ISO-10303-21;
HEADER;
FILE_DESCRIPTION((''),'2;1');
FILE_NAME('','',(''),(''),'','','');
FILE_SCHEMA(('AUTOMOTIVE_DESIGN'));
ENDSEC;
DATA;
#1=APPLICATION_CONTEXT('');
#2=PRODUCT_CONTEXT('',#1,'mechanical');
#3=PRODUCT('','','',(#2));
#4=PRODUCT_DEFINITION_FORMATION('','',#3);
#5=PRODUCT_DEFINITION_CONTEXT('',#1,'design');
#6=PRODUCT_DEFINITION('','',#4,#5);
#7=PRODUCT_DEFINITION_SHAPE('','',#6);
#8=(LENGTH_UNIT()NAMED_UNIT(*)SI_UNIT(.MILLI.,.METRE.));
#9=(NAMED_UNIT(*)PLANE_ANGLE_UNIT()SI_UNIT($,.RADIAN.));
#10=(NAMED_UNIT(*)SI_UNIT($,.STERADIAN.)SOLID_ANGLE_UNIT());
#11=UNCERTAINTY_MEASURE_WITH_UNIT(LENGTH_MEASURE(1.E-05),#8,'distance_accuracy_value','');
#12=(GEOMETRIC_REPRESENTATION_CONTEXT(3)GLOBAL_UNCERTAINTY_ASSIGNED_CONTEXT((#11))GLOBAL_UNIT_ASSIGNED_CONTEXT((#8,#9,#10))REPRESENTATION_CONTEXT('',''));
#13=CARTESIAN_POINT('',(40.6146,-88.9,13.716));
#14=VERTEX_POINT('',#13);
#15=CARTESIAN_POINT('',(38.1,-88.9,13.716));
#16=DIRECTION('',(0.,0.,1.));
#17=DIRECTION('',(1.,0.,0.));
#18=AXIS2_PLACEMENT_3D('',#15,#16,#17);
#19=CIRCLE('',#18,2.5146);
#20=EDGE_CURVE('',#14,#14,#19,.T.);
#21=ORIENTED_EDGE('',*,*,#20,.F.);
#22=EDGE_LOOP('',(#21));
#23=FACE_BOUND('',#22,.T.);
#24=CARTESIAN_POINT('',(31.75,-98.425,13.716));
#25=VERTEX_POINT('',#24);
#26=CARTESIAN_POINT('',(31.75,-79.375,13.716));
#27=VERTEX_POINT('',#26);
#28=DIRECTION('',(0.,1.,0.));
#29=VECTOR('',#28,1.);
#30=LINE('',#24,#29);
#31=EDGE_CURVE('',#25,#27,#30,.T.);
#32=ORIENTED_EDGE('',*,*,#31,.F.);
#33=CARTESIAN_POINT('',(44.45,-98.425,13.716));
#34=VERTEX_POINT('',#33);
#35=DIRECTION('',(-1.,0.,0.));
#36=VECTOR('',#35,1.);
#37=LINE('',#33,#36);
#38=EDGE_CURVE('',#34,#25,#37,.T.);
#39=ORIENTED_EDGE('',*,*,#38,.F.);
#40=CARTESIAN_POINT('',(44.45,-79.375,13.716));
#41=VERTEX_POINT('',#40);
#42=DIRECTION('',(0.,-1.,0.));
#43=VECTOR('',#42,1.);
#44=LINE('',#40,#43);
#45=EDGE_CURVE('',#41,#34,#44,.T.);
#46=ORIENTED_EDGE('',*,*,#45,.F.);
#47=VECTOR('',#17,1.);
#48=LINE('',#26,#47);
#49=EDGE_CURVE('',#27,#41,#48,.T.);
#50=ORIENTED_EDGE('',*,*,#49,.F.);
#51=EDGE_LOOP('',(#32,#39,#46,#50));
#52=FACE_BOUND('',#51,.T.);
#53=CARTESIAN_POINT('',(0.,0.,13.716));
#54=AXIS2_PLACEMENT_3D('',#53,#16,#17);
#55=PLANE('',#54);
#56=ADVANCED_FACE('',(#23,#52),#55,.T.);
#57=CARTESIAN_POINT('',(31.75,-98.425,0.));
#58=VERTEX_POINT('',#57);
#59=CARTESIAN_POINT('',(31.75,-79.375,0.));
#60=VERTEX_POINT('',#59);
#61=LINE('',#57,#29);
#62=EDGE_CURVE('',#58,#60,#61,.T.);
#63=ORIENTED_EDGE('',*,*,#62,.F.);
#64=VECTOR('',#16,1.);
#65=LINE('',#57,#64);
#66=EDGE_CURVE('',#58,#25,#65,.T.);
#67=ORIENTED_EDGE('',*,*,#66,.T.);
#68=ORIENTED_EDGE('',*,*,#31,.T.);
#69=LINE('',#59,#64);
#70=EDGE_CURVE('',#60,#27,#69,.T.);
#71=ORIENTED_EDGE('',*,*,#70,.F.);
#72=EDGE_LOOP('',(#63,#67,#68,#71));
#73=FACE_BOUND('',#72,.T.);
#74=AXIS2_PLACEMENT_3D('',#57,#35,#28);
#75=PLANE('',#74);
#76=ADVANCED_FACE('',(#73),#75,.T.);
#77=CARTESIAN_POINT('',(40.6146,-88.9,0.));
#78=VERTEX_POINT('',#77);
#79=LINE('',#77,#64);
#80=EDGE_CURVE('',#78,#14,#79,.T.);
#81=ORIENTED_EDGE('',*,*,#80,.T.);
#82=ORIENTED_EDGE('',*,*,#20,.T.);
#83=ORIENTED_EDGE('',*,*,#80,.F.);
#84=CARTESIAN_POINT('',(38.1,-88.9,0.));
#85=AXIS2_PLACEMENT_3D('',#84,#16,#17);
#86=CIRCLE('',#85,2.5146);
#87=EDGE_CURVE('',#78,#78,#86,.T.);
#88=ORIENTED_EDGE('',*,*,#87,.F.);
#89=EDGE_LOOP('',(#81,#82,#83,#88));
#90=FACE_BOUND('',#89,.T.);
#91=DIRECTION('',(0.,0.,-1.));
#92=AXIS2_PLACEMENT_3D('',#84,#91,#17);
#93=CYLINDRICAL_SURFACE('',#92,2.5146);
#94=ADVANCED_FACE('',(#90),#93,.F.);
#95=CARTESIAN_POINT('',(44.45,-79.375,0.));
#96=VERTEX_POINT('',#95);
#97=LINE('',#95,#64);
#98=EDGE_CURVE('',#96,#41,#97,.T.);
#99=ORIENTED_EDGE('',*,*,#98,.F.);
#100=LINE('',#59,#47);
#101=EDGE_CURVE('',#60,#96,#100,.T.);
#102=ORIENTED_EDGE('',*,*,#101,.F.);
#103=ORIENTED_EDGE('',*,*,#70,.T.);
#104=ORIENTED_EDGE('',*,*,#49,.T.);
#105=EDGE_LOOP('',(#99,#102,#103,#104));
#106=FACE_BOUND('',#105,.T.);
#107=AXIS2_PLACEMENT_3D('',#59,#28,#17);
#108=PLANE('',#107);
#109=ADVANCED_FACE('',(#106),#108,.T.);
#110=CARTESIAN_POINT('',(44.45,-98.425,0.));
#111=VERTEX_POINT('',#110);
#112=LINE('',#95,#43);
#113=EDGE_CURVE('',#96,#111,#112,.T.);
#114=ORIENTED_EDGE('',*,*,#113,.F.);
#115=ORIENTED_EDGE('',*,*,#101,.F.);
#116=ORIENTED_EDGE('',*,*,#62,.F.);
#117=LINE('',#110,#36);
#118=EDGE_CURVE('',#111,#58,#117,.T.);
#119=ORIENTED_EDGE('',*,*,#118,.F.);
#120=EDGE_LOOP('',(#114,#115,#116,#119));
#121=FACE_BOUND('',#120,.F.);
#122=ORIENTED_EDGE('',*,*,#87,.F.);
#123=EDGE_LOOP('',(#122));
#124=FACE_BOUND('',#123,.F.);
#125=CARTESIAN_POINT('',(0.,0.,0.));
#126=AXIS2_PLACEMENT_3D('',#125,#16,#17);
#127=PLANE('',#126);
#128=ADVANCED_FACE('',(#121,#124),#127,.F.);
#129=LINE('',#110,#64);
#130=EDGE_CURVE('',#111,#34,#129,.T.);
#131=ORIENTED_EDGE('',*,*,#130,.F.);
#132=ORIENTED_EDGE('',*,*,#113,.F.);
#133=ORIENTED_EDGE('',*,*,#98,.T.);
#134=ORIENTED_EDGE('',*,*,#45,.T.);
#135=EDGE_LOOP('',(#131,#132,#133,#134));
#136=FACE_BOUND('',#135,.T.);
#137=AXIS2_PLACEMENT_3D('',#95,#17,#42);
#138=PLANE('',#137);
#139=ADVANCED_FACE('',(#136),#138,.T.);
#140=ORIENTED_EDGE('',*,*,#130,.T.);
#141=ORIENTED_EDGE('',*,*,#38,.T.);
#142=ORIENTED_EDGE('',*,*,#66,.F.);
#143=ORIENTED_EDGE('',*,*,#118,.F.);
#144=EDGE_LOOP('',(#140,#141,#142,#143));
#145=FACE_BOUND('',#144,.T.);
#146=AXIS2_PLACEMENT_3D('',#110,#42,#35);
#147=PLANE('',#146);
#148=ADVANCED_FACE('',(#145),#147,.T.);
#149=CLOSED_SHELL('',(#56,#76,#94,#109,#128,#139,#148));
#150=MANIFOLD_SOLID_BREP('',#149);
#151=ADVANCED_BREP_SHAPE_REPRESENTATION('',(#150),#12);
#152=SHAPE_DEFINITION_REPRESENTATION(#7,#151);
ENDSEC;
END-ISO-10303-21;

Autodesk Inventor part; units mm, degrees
ref_plane "YZ Plane" through (0, 0, 0) normal (1, 0, 0) x (0, 1, 0)
ref_plane "XZ Plane" through (0, 0, 0) normal (0, 1, 0) x (-1, 0, 0)
ref_plane "Work Plane1" through (0, 0, 0) normal (0, 0, 1) x (1, 0, 0)
sketch "Sketch1" plane through (0, 0, 0) normal (0, 0, 1) x (1, 0, 0)
  circle A0 centre (38.1, -88.9) radius 2.5146 projected
  line L0 (44.45, -98.425) -> (31.75, -98.425)
  line L1 (31.75, -98.425) -> (31.75, -79.375)
  line L2 (31.75, -79.375) -> (44.45, -79.375)
  line L3 (44.45, -79.375) -> (44.45, -98.425)
  point P0 (0, 0)
  dimension "d0" = 19.05
  dimension "d2" = 12.7
  dimension "d3" = 9.525
  dimension "d4" = 9.525
  dimension "d5" = 6.35
  dimension "d6" = 6.35
extrude "Extrusion1" add sketch "Sketch1" along normal blind 13.716
equation "\"d3\" = d4"
equation "\"d5\" = d6"
properties part number "panGearSpacerBlocks" material "Wood (Cherry)"
